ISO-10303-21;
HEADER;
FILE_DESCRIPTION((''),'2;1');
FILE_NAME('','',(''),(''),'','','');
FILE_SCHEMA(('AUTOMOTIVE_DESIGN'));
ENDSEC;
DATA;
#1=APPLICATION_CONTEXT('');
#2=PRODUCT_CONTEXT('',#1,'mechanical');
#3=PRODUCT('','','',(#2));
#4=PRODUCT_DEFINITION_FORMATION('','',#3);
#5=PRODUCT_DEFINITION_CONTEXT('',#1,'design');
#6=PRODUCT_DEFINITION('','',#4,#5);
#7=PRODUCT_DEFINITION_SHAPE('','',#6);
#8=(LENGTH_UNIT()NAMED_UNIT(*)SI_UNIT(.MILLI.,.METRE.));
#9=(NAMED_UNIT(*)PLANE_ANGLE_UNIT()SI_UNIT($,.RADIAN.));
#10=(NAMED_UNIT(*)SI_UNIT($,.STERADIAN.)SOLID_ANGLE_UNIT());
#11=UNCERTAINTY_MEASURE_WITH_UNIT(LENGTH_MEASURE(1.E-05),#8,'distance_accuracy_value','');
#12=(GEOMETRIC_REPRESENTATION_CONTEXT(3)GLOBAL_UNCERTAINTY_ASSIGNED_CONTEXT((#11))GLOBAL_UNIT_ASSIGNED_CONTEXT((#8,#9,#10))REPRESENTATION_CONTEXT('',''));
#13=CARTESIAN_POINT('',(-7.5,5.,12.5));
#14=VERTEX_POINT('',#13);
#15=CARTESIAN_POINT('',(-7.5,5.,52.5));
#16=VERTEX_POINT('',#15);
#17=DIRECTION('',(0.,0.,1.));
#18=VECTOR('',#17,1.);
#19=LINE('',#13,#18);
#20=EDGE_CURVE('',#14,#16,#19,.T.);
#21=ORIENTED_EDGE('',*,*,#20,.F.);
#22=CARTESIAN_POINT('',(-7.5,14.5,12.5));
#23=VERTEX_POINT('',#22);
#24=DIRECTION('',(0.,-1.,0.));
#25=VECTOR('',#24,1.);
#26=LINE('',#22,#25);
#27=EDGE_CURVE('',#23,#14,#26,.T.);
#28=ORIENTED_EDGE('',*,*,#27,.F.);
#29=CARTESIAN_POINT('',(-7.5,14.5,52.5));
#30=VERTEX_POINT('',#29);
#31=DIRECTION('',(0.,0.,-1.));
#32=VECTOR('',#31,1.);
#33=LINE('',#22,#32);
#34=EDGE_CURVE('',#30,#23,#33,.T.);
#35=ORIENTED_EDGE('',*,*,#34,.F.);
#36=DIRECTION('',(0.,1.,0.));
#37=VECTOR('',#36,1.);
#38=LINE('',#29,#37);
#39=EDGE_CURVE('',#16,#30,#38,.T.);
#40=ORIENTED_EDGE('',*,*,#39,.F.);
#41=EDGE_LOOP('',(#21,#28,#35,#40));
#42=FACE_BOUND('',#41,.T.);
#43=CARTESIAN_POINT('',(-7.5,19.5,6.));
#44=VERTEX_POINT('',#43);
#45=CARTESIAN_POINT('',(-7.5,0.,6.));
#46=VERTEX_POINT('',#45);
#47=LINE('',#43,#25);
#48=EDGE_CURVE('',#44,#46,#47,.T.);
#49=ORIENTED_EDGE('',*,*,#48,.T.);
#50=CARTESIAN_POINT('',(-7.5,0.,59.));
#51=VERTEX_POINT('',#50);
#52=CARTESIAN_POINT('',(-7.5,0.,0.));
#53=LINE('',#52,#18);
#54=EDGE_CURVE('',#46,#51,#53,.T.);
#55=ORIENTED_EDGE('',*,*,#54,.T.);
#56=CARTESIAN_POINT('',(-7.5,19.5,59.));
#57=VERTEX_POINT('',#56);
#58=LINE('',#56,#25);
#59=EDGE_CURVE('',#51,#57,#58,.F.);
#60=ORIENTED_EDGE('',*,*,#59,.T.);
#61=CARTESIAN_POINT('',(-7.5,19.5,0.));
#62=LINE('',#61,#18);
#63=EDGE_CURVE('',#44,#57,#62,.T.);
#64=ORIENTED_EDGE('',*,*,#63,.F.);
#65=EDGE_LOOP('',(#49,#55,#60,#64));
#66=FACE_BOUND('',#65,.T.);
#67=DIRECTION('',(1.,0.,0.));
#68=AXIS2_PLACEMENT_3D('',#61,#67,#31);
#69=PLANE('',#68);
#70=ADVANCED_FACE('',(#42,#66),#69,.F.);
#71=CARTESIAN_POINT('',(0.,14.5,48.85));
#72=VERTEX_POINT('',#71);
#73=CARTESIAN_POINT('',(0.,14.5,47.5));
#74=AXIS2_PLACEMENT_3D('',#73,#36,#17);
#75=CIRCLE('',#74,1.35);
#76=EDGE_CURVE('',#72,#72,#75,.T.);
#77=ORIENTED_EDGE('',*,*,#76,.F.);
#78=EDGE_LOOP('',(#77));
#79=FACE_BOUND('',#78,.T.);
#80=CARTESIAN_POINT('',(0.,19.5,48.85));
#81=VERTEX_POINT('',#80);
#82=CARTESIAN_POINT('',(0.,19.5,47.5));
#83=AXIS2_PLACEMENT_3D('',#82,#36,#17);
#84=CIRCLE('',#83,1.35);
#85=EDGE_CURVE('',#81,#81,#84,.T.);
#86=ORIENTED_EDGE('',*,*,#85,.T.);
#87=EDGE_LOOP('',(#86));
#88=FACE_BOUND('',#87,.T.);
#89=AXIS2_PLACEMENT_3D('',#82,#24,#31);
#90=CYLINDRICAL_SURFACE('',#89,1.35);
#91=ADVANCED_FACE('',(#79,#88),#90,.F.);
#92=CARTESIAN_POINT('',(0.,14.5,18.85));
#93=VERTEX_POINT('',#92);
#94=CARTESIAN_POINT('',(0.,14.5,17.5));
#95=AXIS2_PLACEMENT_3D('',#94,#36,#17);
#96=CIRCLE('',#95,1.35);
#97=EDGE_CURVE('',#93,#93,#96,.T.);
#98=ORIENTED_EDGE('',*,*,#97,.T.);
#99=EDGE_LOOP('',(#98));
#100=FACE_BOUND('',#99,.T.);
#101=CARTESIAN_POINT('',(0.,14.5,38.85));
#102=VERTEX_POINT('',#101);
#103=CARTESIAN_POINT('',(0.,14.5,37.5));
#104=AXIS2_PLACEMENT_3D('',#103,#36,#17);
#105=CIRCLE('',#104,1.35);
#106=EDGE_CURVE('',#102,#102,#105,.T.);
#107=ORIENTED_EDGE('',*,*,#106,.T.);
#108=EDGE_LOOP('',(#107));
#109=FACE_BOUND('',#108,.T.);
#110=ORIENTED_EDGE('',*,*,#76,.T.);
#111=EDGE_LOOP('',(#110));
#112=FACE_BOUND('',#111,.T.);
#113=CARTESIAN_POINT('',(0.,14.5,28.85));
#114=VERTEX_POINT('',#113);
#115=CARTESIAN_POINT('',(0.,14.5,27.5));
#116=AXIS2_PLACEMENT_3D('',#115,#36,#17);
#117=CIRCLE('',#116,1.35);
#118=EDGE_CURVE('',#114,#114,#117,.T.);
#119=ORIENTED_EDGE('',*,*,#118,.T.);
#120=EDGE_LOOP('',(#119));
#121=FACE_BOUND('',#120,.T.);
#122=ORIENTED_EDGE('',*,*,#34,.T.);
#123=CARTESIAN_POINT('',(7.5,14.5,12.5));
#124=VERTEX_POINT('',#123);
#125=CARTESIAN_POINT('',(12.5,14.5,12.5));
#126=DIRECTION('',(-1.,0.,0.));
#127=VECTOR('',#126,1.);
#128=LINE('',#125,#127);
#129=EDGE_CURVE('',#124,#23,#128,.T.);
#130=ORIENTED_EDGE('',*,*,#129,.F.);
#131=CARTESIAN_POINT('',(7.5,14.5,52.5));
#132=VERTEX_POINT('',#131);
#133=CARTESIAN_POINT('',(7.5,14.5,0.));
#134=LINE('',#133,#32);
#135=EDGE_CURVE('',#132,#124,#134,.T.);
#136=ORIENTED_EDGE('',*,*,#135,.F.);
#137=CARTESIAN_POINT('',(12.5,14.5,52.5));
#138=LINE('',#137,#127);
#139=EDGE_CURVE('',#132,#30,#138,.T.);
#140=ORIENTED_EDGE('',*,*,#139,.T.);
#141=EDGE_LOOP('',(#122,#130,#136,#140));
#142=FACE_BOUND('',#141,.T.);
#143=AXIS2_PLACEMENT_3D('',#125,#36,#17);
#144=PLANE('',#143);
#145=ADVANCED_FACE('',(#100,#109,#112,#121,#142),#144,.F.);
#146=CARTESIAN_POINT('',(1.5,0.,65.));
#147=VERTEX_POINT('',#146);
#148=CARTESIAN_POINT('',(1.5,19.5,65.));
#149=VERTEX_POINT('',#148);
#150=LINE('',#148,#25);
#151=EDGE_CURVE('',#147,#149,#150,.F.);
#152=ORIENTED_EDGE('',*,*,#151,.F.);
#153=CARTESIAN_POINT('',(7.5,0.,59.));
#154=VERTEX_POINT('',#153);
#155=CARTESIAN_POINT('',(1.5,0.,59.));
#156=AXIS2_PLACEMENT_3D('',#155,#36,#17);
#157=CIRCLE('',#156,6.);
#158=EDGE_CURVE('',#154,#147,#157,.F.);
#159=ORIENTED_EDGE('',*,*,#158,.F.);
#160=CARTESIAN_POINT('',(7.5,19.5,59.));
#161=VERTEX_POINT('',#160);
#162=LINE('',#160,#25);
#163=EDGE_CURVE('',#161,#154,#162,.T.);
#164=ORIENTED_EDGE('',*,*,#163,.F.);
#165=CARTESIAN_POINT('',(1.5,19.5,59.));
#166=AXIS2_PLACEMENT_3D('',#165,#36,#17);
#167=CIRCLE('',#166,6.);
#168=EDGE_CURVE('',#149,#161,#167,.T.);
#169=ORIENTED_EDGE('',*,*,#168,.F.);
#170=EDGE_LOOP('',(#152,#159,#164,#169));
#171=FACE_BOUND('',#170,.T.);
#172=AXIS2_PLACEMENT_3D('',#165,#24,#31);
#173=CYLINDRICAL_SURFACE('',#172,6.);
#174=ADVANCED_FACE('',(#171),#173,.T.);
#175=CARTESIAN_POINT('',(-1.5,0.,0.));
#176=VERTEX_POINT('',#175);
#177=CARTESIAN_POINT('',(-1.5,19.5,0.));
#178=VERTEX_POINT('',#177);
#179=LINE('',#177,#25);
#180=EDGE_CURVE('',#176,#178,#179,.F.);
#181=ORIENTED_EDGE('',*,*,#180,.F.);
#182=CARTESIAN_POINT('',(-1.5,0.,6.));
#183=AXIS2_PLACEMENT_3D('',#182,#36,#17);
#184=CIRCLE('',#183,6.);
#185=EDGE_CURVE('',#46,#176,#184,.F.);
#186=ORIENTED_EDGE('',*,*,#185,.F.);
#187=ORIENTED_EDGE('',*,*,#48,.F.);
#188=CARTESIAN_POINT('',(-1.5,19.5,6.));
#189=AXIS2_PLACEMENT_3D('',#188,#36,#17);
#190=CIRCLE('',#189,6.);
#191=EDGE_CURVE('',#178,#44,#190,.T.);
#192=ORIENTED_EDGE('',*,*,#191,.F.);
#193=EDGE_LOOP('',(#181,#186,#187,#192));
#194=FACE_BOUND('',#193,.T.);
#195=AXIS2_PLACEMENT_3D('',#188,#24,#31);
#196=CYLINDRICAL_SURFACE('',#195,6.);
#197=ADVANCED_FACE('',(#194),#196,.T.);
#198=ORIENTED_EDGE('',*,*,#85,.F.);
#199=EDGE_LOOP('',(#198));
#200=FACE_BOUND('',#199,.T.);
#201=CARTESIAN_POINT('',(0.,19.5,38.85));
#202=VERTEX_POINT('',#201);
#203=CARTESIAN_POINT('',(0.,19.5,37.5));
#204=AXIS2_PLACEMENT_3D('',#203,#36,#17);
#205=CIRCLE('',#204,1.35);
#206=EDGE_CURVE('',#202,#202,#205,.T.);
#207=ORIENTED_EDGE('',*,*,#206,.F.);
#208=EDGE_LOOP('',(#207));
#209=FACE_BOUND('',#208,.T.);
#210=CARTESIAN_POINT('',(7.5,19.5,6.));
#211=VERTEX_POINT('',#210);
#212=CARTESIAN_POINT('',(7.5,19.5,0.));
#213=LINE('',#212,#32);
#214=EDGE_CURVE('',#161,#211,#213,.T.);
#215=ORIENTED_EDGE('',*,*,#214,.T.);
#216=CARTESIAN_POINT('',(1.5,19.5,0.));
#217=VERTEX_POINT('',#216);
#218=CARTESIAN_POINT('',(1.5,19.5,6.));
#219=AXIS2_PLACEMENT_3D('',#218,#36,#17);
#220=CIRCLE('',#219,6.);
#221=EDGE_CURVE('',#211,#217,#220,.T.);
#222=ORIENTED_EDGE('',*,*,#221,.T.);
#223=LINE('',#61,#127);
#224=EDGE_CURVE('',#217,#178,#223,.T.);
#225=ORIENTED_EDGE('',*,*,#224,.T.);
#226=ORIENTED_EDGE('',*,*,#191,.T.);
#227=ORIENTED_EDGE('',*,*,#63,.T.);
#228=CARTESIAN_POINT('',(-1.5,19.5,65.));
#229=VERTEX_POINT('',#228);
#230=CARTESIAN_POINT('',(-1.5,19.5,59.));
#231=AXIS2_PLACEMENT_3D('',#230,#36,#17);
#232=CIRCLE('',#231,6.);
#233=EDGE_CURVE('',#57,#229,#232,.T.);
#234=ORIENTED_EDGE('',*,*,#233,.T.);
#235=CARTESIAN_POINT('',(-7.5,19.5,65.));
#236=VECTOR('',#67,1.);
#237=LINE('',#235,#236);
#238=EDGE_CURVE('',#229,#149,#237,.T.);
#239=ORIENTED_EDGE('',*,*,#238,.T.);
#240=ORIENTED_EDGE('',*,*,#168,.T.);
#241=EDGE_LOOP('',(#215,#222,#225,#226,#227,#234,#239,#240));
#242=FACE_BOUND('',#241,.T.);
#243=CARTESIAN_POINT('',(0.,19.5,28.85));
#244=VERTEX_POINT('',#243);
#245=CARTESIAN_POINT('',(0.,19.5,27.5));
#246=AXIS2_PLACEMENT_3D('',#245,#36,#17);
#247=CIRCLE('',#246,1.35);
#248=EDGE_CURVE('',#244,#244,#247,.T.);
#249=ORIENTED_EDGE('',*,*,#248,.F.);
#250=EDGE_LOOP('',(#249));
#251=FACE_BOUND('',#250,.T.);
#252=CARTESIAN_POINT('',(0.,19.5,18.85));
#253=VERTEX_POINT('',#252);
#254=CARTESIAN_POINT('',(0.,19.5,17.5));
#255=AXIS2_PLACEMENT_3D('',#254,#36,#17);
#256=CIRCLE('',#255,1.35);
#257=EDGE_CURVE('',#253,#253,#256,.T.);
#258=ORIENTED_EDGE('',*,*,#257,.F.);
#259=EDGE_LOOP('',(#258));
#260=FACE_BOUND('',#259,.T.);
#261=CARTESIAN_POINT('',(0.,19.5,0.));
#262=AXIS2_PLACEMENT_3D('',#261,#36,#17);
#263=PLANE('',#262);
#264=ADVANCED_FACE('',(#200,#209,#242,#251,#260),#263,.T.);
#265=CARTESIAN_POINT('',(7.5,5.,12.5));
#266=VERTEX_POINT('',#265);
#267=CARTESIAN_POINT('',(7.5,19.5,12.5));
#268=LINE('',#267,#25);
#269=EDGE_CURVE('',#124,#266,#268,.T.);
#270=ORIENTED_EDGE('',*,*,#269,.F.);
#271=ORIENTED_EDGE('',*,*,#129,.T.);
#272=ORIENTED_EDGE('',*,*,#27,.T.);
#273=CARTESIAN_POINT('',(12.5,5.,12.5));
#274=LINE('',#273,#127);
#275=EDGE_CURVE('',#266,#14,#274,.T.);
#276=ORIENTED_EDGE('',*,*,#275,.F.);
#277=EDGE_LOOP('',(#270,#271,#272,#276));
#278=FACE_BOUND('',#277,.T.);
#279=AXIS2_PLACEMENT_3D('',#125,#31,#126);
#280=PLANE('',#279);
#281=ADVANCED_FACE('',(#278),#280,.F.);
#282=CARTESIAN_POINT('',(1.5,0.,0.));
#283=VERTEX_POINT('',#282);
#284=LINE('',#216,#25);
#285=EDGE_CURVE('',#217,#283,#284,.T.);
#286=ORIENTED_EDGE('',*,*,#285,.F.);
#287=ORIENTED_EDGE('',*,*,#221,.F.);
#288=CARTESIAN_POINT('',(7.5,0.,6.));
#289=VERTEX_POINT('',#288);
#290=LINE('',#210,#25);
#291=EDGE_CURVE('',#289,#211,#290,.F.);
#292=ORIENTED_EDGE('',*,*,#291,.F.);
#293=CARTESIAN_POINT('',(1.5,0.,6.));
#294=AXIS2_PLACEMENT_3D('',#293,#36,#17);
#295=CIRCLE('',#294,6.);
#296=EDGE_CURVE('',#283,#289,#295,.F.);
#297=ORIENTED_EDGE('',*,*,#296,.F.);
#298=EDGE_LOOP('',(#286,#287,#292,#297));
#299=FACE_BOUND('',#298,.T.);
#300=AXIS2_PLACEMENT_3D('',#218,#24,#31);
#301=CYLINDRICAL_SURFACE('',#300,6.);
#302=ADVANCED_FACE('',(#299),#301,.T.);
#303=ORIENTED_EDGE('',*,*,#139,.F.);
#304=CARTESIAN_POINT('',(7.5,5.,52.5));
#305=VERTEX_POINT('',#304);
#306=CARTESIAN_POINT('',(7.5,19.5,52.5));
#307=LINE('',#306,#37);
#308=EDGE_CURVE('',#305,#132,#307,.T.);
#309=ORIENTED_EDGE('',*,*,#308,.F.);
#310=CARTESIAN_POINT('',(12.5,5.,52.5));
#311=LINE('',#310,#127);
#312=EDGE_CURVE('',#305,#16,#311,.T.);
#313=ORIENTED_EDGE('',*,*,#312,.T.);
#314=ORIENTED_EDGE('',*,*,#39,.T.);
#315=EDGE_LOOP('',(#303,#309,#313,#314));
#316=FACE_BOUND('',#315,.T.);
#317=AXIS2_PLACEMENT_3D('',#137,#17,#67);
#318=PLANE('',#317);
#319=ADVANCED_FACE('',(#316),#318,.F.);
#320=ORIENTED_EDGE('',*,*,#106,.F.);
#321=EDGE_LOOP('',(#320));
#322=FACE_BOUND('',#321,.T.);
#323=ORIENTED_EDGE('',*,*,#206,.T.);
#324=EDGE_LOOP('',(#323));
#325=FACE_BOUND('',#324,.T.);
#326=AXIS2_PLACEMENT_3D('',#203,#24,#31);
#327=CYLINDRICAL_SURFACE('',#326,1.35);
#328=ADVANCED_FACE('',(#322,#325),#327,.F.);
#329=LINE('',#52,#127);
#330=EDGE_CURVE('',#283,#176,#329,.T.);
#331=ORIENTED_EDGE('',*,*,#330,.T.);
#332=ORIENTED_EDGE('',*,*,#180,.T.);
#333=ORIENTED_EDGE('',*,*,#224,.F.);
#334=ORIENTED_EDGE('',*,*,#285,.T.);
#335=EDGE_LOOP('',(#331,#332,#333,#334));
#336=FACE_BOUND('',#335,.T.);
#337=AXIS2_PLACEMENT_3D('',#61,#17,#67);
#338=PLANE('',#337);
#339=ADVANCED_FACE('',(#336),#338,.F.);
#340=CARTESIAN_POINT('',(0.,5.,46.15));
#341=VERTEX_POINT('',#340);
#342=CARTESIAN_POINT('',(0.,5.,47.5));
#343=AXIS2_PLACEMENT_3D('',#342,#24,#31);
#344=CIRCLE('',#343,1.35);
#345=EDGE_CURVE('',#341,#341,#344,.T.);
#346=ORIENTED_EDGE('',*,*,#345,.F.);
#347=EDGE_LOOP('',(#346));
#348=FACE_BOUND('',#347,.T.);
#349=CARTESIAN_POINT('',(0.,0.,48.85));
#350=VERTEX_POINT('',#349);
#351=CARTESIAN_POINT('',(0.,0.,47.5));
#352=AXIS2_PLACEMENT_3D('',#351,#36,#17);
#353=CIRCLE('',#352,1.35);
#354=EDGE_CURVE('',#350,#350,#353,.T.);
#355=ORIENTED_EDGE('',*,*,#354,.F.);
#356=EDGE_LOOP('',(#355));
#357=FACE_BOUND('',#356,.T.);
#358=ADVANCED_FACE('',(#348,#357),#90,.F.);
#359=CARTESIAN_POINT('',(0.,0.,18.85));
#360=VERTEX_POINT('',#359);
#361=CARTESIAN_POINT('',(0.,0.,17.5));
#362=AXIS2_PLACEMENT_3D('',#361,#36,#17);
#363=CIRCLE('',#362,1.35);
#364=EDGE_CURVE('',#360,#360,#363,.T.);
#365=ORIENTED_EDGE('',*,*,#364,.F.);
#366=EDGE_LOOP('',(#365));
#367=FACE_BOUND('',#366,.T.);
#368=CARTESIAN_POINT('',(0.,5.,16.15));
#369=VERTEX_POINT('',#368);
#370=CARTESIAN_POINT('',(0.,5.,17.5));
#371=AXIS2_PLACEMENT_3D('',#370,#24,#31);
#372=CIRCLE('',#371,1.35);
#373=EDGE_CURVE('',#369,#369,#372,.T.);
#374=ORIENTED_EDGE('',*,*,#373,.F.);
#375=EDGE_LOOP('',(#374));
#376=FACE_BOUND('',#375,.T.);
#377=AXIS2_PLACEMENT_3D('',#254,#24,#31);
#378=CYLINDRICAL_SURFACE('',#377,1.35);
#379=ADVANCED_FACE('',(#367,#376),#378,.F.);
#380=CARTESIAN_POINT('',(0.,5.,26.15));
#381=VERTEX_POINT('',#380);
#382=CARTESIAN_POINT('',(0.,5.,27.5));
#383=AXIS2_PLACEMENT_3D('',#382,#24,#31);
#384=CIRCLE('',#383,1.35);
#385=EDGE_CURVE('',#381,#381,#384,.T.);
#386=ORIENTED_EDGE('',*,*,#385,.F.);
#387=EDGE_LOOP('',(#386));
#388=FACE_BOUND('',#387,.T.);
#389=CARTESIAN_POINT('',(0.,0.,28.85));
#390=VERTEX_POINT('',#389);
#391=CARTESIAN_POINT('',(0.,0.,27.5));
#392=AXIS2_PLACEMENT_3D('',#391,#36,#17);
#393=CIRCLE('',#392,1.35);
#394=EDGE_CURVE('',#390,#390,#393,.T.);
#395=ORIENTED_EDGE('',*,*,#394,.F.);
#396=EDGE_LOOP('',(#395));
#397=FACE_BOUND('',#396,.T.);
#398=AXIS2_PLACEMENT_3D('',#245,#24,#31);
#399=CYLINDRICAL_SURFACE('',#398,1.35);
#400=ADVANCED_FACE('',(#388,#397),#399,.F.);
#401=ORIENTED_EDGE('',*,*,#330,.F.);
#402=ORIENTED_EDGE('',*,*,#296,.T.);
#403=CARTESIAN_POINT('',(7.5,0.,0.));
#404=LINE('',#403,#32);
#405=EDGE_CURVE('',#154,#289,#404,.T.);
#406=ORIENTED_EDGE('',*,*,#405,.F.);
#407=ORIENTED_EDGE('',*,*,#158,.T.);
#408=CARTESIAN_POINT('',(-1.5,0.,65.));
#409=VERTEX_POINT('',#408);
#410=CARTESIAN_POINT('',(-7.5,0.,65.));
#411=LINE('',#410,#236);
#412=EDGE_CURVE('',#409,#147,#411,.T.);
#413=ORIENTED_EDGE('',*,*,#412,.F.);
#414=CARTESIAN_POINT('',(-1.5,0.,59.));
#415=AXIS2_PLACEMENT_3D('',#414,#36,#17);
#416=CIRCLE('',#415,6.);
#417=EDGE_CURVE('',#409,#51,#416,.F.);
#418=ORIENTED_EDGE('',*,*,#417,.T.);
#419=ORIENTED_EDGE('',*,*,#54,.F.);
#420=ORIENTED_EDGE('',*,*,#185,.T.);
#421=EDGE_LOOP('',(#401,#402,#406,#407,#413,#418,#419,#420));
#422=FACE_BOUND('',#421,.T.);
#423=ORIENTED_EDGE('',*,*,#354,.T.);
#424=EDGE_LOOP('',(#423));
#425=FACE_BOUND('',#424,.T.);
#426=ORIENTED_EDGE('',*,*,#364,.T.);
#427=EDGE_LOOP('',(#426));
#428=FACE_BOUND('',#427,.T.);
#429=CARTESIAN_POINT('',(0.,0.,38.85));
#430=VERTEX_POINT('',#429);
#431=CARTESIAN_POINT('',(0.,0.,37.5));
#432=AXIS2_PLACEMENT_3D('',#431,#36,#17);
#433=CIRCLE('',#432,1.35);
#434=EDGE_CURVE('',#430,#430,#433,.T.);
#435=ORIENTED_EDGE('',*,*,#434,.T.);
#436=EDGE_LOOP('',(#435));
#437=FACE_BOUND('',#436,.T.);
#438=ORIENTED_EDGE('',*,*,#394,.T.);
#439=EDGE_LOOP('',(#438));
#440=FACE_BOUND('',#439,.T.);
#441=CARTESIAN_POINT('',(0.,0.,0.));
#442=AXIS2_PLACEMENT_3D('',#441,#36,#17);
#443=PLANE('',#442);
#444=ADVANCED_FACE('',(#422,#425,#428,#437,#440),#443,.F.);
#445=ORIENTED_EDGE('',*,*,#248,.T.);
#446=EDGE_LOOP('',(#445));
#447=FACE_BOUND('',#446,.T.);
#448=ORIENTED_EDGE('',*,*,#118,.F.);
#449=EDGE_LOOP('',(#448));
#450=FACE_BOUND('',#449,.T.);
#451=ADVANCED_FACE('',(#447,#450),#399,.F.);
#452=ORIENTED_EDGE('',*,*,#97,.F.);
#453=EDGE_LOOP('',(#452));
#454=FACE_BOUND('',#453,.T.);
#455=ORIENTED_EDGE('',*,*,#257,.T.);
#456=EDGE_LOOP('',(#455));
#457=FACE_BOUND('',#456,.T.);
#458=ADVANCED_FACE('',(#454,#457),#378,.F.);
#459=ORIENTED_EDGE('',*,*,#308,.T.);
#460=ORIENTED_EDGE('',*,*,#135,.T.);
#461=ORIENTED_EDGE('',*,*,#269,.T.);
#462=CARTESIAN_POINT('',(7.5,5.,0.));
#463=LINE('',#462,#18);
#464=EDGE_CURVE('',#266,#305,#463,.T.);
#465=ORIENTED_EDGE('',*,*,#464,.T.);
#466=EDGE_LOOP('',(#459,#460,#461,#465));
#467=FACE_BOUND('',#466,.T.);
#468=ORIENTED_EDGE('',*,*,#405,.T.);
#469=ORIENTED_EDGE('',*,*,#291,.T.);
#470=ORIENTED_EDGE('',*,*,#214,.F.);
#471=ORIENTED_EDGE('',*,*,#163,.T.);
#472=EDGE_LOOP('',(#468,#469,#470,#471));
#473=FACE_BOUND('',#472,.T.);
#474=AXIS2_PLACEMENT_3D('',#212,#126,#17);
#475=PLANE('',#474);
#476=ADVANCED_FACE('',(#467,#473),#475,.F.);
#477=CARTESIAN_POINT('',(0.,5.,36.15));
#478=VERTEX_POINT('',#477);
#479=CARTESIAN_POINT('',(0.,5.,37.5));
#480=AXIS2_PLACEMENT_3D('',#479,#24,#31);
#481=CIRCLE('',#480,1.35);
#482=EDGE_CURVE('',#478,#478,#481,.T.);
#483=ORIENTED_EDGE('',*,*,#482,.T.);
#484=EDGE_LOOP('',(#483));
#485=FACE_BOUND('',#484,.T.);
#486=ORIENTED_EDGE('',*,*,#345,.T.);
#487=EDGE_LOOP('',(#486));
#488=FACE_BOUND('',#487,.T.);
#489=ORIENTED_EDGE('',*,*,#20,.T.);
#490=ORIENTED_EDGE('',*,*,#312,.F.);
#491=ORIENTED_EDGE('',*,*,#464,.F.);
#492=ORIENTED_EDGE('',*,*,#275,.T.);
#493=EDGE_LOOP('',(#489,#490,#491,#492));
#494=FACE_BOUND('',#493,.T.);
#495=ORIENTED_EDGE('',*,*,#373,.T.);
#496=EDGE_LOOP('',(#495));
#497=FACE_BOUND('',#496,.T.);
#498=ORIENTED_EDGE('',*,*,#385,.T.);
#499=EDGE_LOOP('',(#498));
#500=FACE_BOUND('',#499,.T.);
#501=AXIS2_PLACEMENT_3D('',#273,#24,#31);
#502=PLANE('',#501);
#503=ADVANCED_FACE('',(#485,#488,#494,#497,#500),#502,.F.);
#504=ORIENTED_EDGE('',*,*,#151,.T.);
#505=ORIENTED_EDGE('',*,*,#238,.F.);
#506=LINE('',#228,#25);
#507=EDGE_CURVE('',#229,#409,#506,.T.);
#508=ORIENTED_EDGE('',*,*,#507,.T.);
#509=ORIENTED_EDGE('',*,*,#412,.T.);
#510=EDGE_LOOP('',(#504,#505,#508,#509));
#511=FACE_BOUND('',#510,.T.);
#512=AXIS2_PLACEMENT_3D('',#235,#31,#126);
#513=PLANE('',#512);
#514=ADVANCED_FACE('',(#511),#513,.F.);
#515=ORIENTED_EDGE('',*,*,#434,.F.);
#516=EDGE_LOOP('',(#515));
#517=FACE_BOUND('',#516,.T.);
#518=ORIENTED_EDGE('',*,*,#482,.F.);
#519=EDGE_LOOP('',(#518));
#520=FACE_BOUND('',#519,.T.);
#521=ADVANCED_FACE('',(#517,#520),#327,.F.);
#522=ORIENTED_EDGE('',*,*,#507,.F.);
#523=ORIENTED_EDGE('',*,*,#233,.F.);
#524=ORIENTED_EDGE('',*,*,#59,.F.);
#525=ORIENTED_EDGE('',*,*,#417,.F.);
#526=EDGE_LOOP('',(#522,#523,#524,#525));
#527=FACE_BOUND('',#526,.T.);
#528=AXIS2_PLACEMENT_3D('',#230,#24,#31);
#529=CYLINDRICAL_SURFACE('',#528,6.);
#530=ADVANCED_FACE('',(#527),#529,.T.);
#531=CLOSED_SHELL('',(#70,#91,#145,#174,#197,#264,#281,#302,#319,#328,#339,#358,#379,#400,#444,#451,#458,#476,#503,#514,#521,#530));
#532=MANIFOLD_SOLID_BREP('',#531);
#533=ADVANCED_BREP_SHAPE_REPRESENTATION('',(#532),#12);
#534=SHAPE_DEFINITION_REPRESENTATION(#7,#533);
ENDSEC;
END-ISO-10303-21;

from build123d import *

# Parameters (mm, degrees)
SKETCH1_W           = 15
SKETCH1_H           = 65
SKETCH1_R           = 1.35
BOSS_EXTRUDE1_DEPTH = 19.5
FILLET1_R           = 6
SKETCH2_W           = 40
SKETCH2_H           = 9.5
CUT_EXTRUDE1_DEPTH  = 20


with BuildPart() as part:
    # Sketch1 → Boss-Extrude1 (new body)
    with BuildSketch(Plane(origin=(0, 0, 0), x_dir=(1, 0, 0), z_dir=(0, 1, 0))):
        with Locations((0, -32.5)):
            Rectangle(SKETCH1_W, SKETCH1_H)
        with Locations((0, -17.5)):
            Circle(SKETCH1_R, mode=Mode.SUBTRACT)
        with Locations((0, -27.5)):
            Circle(SKETCH1_R, mode=Mode.SUBTRACT)
        with Locations((0, -37.5)):
            Circle(SKETCH1_R, mode=Mode.SUBTRACT)
        with Locations((0, -47.5)):
            Circle(SKETCH1_R, mode=Mode.SUBTRACT)
    extrude(amount=BOSS_EXTRUDE1_DEPTH)

    # Fillet1
    fillet1_edges = [part.edges().sort_by_distance(p)[0] for p in [
        (-7.5, 9.75, 0),
        (7.5, 9.75, 0),
        (7.5, 9.75, 65),
        (-7.5, 9.75, 65),
    ]]
    fillet(fillet1_edges, radius=FILLET1_R)

    # Sketch2 → Cut-Extrude1 (cut)
    with BuildSketch(Plane.ZY.offset(7.5)):
        with Locations((32.5, 9.75)):
            Rectangle(SKETCH2_W, SKETCH2_H)
    extrude(amount=-CUT_EXTRUDE1_DEPTH, mode=Mode.SUBTRACT)


solid = part.part
